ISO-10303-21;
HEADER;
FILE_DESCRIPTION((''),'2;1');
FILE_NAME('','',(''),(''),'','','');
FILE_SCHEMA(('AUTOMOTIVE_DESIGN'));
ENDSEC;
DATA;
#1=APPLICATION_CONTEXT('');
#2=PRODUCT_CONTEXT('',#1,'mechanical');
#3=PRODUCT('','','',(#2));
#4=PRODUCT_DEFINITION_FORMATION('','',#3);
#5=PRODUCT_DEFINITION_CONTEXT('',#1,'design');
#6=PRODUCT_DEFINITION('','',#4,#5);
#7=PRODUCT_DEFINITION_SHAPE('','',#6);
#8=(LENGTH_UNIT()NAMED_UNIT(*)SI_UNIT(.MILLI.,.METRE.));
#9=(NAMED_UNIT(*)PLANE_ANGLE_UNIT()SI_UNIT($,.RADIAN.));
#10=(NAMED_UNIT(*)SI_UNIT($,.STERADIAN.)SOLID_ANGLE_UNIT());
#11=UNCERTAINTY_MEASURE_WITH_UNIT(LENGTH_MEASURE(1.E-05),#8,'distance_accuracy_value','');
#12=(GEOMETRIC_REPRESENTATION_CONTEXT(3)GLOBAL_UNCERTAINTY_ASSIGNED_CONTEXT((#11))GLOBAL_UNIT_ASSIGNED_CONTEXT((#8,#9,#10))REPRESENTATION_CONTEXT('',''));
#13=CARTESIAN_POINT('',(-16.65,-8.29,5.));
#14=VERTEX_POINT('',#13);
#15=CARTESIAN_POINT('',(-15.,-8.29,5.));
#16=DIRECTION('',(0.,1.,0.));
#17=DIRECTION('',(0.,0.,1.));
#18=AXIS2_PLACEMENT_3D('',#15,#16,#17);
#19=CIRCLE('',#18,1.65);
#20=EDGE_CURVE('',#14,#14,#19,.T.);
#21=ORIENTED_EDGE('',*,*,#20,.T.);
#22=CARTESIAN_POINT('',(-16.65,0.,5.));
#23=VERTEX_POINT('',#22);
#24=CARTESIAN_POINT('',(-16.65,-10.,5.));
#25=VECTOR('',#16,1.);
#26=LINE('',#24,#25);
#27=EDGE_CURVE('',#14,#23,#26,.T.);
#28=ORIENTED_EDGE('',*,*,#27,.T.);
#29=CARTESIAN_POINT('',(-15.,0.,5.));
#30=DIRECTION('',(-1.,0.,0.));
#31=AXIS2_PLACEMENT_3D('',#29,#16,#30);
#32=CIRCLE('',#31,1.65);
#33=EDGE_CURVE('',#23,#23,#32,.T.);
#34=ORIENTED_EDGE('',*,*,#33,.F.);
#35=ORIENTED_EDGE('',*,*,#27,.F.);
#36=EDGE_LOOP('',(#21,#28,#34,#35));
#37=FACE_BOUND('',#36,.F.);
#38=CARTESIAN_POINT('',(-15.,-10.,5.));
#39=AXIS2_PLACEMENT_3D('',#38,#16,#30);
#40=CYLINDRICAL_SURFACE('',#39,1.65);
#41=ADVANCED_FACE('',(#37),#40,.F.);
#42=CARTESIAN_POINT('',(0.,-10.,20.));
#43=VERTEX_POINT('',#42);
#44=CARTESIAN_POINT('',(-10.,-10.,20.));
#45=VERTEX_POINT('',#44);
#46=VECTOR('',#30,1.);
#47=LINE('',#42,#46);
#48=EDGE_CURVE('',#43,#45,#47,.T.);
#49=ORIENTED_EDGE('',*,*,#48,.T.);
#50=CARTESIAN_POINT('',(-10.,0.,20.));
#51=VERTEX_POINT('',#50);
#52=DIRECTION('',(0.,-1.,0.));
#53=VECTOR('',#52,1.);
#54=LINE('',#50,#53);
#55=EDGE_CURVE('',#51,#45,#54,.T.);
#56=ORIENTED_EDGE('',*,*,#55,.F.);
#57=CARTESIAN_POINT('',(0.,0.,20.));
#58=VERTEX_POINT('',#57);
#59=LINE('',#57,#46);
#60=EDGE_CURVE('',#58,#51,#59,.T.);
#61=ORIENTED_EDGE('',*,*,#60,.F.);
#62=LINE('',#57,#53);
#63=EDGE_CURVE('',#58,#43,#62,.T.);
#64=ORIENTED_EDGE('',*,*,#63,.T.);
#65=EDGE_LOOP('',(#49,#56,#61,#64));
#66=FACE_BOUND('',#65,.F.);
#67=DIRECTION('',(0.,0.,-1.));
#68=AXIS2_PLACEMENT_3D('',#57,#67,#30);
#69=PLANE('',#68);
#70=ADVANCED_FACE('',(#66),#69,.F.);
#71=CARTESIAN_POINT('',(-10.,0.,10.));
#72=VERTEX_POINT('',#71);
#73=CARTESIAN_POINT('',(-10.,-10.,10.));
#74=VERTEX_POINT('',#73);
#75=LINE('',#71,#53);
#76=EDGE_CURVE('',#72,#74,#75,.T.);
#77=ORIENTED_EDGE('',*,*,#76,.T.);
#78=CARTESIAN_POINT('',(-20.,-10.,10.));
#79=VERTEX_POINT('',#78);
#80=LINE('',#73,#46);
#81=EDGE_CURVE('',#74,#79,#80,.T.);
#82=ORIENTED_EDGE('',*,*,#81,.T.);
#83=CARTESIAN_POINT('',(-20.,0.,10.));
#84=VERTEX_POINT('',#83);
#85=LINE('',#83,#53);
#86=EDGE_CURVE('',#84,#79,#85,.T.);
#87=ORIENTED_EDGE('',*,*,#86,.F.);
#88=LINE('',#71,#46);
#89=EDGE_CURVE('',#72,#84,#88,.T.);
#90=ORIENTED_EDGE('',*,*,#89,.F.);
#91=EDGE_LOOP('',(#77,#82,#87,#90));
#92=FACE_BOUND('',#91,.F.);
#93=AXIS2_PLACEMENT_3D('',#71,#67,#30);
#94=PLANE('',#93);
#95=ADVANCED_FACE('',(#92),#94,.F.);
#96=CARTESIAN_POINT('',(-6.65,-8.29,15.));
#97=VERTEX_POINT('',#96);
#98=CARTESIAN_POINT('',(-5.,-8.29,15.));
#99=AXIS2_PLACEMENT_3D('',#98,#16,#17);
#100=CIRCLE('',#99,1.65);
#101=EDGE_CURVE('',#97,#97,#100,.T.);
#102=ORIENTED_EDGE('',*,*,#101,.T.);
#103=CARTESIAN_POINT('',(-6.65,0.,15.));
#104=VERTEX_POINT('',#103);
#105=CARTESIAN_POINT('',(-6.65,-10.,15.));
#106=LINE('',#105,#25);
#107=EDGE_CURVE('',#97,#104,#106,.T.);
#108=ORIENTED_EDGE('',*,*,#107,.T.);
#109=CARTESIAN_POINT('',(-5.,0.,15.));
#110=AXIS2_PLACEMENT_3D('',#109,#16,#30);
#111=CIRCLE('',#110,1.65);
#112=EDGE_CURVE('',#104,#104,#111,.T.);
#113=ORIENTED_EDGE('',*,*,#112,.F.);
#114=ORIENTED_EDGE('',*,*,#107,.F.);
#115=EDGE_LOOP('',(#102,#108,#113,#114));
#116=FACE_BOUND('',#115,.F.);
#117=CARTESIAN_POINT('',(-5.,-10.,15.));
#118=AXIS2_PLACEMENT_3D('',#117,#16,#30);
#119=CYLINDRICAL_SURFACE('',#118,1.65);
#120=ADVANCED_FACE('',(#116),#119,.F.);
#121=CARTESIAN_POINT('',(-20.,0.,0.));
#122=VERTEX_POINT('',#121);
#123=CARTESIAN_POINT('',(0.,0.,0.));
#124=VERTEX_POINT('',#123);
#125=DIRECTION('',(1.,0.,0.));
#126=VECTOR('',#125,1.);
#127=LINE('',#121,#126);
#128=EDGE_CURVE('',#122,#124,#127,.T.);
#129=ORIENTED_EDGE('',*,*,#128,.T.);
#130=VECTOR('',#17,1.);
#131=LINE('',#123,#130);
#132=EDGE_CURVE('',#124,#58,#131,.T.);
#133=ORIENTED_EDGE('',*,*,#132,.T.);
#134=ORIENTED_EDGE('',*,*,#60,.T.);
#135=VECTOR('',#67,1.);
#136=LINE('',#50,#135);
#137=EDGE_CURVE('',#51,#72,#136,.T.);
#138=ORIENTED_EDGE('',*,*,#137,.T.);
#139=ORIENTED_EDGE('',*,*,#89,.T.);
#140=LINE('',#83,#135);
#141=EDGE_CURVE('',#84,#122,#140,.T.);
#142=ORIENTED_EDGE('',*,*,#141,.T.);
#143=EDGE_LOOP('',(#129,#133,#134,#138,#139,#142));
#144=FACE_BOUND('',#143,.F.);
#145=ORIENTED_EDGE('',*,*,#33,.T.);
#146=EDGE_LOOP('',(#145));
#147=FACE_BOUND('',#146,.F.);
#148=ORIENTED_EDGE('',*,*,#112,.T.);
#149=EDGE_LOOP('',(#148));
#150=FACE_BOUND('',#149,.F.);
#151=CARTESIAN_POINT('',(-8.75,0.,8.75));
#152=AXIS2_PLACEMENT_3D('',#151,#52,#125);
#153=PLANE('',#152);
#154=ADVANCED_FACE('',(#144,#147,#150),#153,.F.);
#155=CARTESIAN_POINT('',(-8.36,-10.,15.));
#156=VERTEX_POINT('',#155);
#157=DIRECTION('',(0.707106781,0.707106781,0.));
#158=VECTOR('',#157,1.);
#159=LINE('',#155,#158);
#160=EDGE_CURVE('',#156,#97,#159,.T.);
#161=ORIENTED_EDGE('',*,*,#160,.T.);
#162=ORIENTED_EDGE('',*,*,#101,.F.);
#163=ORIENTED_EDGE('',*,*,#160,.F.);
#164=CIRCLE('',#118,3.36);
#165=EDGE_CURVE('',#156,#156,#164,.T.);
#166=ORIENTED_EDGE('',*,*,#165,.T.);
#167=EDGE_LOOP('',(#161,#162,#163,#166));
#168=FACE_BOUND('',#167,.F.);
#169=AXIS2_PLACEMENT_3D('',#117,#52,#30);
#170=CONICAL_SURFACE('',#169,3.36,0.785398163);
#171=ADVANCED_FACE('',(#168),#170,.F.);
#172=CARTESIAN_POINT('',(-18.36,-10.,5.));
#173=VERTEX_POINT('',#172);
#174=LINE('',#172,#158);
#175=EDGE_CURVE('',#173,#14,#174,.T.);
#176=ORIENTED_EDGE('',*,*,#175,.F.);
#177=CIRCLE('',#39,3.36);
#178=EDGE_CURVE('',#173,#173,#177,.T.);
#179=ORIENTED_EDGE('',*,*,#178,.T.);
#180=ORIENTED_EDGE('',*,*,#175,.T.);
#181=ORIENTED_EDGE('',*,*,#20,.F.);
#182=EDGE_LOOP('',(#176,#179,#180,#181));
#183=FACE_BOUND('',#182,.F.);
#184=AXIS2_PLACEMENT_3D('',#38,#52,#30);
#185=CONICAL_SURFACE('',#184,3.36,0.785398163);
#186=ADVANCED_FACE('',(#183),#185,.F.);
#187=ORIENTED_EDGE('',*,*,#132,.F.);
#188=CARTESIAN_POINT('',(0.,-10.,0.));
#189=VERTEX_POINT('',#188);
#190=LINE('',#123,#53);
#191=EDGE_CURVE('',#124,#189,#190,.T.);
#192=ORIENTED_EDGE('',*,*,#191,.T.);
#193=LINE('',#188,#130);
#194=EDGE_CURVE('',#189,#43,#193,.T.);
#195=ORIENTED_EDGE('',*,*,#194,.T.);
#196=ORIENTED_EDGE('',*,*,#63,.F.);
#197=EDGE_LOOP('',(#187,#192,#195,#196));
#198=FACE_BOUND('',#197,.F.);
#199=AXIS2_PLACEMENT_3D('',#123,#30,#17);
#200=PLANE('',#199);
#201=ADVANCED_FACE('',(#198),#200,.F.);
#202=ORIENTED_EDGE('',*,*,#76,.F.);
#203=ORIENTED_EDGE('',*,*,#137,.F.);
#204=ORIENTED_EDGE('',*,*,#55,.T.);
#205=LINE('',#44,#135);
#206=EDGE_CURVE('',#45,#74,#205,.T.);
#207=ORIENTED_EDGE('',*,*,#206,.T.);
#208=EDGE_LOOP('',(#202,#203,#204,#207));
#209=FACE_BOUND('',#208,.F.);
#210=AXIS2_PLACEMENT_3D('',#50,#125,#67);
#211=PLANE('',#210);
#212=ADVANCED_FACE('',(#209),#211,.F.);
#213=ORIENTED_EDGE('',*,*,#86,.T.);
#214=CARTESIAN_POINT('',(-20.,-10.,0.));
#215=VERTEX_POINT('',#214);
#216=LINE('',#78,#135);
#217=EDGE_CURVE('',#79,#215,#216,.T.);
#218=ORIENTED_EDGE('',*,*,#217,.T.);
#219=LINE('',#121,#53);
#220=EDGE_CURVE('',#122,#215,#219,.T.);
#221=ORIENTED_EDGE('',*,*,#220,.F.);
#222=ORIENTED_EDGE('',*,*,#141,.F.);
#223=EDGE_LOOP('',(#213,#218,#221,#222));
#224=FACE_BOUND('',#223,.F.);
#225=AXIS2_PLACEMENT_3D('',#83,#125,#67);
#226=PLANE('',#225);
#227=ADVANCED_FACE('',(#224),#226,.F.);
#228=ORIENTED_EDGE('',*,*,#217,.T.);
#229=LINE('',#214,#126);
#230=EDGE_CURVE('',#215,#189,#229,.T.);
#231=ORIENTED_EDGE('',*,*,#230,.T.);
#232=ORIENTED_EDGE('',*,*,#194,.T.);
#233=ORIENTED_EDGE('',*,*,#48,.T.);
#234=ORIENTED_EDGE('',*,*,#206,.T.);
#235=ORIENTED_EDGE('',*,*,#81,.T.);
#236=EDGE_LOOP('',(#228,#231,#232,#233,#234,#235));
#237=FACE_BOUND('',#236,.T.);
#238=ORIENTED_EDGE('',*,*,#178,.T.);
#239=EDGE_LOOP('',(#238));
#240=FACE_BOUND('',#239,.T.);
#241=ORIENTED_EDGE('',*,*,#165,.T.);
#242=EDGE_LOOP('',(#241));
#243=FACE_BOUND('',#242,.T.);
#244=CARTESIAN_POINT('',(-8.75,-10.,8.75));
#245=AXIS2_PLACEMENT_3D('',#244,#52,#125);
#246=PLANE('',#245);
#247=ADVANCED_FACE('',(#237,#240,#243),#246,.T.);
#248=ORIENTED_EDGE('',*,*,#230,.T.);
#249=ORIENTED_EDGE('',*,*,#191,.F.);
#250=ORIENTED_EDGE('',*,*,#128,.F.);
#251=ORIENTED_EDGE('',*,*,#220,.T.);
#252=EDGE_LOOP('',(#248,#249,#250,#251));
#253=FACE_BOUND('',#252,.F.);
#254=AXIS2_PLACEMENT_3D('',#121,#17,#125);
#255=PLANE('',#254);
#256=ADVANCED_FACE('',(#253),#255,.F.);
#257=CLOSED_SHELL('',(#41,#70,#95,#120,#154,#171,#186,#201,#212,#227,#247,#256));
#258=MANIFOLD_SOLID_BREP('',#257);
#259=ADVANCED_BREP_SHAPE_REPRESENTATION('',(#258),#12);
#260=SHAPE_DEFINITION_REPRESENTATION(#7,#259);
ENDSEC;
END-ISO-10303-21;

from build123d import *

# Parameters (mm, degrees)
F1_DEPTH       = 10
F3_D           = 3.3
F3_CSINK_D     = 6.72
F3_CSINK_ANGLE = 90


with BuildPart() as f1:
    # F0 (on Front) → F1 (new body)
    with BuildSketch(Plane.XZ):
        Polygon((0, 20), (-10, 20), (-10, 10), (-20, 10), (-20, 0), (0, 0), align=None)
    extrude(amount=F1_DEPTH)

    # F3 (through all)
    with Locations(Plane.XZ.offset(10)):
        with Locations((-5, 15), (-15, 5)):
            CounterSinkHole(F3_D / 2, F3_CSINK_D / 2, counter_sink_angle=F3_CSINK_ANGLE)


solid = f1.part
